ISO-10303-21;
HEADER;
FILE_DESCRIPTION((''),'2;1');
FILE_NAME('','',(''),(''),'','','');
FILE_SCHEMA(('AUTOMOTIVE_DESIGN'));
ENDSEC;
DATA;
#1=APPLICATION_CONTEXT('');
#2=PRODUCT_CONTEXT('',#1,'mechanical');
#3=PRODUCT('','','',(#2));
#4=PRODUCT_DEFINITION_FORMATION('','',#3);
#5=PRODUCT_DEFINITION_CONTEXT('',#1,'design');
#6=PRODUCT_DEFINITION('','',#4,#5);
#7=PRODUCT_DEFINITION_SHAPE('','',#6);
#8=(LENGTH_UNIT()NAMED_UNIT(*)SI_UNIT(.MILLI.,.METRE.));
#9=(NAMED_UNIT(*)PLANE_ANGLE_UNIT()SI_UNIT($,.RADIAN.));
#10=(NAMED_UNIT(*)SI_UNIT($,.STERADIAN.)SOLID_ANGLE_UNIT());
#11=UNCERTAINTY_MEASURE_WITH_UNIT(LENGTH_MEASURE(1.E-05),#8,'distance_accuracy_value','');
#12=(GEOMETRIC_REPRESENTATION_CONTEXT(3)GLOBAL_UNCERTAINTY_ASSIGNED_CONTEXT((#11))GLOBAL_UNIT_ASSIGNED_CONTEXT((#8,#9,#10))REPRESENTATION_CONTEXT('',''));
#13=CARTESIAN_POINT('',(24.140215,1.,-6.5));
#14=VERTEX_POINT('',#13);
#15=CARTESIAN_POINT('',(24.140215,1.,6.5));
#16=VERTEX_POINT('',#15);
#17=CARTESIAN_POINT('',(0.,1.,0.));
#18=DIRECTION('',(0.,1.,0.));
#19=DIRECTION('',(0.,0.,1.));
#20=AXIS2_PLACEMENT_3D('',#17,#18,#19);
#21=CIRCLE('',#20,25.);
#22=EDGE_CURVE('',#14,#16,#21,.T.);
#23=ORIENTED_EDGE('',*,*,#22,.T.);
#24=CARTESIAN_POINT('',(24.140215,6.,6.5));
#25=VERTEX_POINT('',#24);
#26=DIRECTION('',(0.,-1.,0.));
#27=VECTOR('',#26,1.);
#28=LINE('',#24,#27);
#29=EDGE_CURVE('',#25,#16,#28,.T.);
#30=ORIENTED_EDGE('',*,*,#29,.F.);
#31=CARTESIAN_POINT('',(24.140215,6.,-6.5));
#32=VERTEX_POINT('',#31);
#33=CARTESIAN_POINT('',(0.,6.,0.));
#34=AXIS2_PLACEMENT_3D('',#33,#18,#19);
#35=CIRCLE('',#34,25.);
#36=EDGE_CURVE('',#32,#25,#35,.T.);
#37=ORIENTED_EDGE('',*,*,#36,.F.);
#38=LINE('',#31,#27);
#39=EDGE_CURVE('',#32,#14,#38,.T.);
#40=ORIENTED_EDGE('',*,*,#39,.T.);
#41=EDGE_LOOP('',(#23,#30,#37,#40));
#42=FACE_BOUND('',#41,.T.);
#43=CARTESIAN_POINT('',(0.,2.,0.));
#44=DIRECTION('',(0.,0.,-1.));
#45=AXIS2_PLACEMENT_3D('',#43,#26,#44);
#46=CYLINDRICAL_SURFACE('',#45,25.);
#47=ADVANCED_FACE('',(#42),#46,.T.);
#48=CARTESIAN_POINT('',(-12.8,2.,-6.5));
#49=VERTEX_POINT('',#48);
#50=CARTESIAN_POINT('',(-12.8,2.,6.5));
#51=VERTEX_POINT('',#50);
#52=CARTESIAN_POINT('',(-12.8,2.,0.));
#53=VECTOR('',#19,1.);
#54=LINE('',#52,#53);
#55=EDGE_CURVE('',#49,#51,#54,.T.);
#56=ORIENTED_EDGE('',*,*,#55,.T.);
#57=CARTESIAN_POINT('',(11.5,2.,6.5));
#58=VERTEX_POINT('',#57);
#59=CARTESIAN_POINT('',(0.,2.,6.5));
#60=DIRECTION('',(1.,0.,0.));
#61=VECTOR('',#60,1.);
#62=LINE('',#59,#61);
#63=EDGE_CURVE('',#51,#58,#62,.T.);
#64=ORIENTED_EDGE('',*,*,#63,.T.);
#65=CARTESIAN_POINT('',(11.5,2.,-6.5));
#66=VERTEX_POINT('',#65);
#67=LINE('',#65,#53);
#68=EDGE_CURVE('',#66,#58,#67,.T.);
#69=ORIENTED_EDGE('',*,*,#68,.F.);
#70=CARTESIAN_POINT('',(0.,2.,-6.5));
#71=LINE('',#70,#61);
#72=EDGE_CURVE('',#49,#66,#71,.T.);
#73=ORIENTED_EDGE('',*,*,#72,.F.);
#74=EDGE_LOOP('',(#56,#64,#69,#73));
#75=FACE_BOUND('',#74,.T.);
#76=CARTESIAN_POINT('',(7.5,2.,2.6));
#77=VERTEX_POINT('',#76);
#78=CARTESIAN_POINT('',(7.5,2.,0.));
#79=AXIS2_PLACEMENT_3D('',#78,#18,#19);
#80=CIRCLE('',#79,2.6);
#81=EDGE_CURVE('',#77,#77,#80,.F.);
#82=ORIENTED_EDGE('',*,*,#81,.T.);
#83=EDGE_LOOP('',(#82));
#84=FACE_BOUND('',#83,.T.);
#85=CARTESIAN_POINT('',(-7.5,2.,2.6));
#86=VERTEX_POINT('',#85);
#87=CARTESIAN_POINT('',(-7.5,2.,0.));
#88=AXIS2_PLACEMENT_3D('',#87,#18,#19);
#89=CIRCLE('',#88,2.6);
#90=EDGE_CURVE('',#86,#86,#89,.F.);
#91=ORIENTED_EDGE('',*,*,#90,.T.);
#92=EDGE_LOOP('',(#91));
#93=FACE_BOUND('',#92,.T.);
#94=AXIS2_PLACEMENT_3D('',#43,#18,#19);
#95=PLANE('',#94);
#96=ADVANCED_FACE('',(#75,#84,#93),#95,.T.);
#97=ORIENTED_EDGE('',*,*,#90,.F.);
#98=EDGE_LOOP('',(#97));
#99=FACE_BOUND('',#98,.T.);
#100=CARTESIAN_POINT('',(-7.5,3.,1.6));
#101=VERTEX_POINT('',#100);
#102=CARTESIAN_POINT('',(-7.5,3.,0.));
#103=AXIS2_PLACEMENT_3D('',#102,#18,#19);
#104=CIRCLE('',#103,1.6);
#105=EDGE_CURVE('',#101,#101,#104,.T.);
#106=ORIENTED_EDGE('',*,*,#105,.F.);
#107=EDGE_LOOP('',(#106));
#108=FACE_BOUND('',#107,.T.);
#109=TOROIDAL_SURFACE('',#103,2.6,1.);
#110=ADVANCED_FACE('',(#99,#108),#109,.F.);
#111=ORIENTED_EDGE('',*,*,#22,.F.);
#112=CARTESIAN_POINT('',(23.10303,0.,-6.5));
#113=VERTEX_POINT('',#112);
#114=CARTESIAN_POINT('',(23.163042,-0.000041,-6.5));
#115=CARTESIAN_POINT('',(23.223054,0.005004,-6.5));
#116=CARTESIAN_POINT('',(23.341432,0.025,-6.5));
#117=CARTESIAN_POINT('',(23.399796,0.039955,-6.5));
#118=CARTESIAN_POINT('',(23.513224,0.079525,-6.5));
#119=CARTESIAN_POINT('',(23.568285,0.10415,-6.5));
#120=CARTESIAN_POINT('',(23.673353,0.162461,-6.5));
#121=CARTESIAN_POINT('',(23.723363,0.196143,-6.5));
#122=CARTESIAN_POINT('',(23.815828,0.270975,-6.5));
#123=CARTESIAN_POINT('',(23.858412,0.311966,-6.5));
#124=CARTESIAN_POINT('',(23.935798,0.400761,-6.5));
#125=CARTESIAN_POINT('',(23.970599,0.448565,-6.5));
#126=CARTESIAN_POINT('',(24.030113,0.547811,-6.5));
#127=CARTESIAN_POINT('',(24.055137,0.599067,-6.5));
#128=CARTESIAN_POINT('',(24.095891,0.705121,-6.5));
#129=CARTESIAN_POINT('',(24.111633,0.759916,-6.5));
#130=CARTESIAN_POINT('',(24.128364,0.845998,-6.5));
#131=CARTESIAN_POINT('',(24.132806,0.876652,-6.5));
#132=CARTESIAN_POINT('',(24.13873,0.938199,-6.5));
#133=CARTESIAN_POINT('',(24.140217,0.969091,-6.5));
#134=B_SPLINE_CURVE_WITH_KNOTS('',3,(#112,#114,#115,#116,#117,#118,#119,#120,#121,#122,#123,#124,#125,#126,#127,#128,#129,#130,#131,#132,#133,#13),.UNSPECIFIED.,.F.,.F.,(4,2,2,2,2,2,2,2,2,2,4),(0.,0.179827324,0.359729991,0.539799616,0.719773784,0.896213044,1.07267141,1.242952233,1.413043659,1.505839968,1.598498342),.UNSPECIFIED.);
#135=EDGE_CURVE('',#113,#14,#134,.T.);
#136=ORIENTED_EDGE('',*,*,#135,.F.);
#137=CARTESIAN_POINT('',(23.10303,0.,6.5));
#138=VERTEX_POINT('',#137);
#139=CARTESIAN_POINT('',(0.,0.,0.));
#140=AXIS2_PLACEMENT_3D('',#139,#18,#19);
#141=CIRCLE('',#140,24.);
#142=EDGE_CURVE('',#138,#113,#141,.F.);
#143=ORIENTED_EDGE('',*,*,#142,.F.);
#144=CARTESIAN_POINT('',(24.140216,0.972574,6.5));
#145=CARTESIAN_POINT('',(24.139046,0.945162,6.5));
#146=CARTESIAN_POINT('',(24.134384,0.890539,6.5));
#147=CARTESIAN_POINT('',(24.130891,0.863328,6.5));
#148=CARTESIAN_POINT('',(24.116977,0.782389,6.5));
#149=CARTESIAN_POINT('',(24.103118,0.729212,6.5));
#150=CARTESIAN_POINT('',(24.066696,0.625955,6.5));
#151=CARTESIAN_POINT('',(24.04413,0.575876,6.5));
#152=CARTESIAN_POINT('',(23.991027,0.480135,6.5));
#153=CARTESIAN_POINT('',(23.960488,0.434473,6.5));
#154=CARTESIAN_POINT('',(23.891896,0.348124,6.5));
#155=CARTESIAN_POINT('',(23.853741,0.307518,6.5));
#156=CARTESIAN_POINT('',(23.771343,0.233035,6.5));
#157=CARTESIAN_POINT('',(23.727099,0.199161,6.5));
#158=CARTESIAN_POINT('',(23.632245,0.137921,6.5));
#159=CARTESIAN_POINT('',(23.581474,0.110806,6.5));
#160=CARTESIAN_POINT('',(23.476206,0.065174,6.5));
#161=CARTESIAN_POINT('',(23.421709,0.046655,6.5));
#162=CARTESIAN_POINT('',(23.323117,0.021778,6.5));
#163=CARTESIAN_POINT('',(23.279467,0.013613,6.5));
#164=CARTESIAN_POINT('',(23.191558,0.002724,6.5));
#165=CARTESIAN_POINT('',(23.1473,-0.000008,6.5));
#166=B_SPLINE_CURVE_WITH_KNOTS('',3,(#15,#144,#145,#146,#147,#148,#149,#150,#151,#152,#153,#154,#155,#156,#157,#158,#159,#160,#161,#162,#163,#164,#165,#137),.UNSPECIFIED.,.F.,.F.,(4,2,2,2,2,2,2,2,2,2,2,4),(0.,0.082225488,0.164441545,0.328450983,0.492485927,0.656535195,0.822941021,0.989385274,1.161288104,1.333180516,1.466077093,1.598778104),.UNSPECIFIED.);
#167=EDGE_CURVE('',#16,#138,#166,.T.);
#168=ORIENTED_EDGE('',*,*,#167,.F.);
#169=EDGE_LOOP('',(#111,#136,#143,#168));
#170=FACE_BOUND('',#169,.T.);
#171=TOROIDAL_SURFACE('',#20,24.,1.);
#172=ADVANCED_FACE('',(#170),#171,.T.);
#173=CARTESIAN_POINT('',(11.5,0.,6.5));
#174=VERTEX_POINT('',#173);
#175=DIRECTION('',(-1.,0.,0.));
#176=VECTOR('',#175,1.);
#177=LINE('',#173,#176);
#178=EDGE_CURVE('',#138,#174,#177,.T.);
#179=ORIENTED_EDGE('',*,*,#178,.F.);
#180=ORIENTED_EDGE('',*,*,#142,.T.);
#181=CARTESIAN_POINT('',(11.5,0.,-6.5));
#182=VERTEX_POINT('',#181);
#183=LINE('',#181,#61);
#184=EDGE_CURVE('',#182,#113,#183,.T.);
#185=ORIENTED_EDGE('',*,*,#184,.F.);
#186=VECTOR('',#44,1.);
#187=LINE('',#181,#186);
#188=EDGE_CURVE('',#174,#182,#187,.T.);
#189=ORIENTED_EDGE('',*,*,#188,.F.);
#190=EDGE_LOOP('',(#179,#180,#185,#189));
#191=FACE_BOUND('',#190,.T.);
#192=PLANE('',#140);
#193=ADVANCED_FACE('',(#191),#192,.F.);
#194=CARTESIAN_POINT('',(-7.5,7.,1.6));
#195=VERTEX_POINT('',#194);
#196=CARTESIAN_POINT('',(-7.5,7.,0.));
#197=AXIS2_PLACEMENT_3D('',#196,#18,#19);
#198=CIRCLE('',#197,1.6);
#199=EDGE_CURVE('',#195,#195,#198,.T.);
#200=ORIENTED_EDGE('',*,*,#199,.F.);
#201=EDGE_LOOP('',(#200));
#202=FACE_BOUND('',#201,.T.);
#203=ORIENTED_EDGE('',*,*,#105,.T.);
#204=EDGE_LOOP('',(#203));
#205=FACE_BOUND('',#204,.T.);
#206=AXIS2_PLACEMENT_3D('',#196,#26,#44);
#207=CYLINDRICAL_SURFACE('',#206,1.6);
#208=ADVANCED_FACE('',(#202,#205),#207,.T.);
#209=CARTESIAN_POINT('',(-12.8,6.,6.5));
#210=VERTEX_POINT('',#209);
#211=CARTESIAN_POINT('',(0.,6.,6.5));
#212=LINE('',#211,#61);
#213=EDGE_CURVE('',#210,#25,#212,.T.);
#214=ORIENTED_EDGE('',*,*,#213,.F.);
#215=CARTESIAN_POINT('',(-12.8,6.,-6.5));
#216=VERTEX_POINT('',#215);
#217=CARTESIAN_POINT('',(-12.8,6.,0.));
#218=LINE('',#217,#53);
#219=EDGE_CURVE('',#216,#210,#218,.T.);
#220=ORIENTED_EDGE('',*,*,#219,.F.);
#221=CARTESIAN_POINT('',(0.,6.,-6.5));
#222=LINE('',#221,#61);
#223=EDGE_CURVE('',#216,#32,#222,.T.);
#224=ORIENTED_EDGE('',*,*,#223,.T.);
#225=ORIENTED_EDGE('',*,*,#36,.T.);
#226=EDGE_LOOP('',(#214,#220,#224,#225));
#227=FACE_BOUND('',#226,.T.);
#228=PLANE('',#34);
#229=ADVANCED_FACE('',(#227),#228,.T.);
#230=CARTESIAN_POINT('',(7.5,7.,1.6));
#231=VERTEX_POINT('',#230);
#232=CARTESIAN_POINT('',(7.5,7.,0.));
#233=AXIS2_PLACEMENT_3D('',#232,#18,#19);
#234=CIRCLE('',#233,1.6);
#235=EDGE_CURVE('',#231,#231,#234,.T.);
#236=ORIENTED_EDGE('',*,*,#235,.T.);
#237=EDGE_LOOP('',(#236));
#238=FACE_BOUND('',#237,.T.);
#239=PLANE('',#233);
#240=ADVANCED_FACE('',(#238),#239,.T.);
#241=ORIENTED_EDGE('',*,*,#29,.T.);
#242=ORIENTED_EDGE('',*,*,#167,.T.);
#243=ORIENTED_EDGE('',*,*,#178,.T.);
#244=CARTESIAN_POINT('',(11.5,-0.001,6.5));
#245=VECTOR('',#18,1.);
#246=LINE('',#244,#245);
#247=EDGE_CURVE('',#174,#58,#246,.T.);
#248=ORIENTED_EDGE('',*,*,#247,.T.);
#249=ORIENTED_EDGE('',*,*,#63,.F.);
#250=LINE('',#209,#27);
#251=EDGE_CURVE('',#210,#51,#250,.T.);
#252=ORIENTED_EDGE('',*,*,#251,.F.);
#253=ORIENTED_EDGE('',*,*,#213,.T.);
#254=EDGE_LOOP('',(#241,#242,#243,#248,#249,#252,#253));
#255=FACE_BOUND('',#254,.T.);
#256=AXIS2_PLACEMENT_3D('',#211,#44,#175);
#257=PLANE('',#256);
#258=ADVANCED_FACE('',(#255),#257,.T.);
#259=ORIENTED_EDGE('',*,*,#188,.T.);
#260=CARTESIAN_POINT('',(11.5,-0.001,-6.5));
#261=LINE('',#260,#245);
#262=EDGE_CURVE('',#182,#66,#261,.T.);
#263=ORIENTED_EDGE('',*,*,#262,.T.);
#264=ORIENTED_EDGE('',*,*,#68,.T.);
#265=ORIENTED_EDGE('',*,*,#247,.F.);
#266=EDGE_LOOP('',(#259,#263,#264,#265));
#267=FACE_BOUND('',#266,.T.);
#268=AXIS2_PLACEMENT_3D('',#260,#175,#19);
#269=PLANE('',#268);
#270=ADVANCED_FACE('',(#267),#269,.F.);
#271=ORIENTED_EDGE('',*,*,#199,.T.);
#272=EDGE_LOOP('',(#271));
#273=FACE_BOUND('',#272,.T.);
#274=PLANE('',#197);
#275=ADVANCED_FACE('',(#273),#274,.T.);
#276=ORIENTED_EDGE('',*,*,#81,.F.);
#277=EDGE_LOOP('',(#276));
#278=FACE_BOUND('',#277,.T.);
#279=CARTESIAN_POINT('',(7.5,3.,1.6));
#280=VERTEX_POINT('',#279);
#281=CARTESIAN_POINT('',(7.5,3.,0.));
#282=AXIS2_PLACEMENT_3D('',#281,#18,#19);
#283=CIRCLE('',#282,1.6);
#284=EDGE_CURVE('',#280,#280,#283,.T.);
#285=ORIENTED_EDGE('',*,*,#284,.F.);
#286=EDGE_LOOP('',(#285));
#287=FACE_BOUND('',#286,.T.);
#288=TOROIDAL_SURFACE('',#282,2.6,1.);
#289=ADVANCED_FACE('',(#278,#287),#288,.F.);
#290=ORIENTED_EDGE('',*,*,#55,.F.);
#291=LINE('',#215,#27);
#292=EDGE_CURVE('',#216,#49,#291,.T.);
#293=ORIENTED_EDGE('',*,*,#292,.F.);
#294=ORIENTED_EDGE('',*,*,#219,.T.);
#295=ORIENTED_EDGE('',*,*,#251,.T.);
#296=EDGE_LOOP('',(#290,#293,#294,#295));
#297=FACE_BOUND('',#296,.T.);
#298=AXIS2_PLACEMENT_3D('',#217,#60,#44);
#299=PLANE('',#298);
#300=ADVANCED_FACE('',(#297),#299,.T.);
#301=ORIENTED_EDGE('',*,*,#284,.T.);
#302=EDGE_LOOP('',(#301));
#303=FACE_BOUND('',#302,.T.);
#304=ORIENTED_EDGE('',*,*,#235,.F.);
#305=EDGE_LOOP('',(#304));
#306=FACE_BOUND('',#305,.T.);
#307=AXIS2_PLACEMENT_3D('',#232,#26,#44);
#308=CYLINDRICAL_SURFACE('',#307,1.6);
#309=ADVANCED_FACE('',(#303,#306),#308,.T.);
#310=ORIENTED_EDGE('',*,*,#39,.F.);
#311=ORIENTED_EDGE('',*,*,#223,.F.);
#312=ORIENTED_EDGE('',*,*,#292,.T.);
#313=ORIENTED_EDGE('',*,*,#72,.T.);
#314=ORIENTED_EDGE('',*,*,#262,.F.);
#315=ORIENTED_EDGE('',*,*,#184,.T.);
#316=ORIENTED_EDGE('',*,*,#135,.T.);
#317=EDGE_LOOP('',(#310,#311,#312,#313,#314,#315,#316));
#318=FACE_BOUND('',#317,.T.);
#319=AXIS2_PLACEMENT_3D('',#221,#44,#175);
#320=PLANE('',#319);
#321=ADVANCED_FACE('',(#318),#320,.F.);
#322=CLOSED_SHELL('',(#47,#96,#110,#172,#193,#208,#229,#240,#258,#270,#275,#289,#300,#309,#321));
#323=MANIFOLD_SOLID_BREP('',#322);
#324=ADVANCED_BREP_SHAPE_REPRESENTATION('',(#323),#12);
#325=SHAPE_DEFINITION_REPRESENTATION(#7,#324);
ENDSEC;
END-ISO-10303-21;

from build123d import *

# Parameters (mm, degrees)
SKETCH1_R           = 1.6
BOSS_EXTRUDE1_DEPTH = 2
BOSS_EXTRUDE2_DEPTH = 4
CUT_EXTRUDE1_REACH  = 37.581
SKETCH3_W           = 13.5
SKETCH3_H           = 13
SKETCH4_R           = 1.6
BOSS_EXTRUDE3_DEPTH = 5
FILLET1_R           = 1
FILLET2_R           = 1


with BuildPart() as part:
    # Sketch1 → Boss-Extrude1 (new body)
    # profile 1 of 4: a face of its own
    with BuildSketch(Plane(origin=(0, 0, 0), x_dir=(1, 0, 0), z_dir=(0, 1, 0))):
        with BuildLine():
            Line((-12.8, -6.5), (-12.8, 6.5))
            Line((-12.8, 6.5), (24.140215409, 6.5))
            ThreePointArc((24.140215409, 6.5), (-25, 0), (24.140215409, -6.5))
            Line((24.140215409, -6.5), (-12.8, -6.5))
        make_face()
    # profile 2 of 4: a face of its own
    with BuildSketch(Plane(origin=(0, 0, 0), x_dir=(1, 0, 0), z_dir=(0, 1, 0))):
        with BuildLine():
            Line((24.140215409, 6.5), (-12.8, 6.5))
            Line((-12.8, 6.5), (-12.8, -6.5))
            Line((-12.8, -6.5), (24.140215409, -6.5))
            ThreePointArc((24.140215409, -6.5), (24.784121784, -3.278308617), (25, 0))
            ThreePointArc((25, 0), (24.784121784, 3.278308617), (24.140215409, 6.5))
        make_face()
        with Locations((-7.5, 0)):
            Circle(SKETCH1_R, mode=Mode.SUBTRACT)
        with Locations((7.5, 0)):
            Circle(SKETCH1_R, mode=Mode.SUBTRACT)
    # profile 3 of 4: a face of its own
    with BuildSketch(Plane(origin=(0, 0, 0), x_dir=(1, 0, 0), z_dir=(0, 1, 0))):
        with Locations((-7.5, 0)):
            Circle(SKETCH1_R)
    # profile 4 of 4: a face of its own
    with BuildSketch(Plane(origin=(0, 0, 0), x_dir=(1, 0, 0), z_dir=(0, 1, 0))):
        with Locations((7.5, 0)):
            Circle(SKETCH1_R)
    extrude(amount=BOSS_EXTRUDE1_DEPTH)

    # Sketch2 → Boss-Extrude2 (add)
    with BuildSketch(Plane(origin=(0, 2, 0), x_dir=(1, 0, 0), z_dir=(0, 1, 0))):
        with BuildLine():
            Line((24.140215409, -6.5), (-12.8, -6.5))
            Line((-12.8, -6.5), (-12.8, 6.5))
            Line((-12.8, 6.5), (24.140215409, 6.5))
            ThreePointArc((24.140215409, 6.5), (-25, 0), (24.140215409, -6.5))
        make_face()
    extrude(amount=BOSS_EXTRUDE2_DEPTH)

    # Sketch3 → Cut-Extrude1 (cut, up to next)
    with BuildSketch(Plane(origin=(0, 2, 0), x_dir=(1, 0, 0), z_dir=(0, 1, 0)), mode=Mode.PRIVATE) as cut_extrude1_sk1:
        with Locations((18.25, 0)):
            Rectangle(SKETCH3_W, SKETCH3_H)
    cut_extrude1_tool1 = extrude(cut_extrude1_sk1.sketch, amount=-CUT_EXTRUDE1_REACH, mode=Mode.PRIVATE) & part.part
    add(cut_extrude1_tool1.solids().sort_by_distance((18.25, 2, 0))[0], mode=Mode.SUBTRACT)

    # Sketch4 → Boss-Extrude3 (add)
    with BuildSketch(Plane(origin=(0, 2, 0), x_dir=(1, 0, 0), z_dir=(0, 1, 0))):
        with Locations(Location((7.5, 0, 0), (0, 0, 270))):
            Circle(SKETCH4_R)
        with Locations(Location((-7.5, 0, 0), (0, 0, 270))):
            Circle(SKETCH4_R)
    extrude(amount=BOSS_EXTRUDE3_DEPTH)

    # Fillet1
    fillet1_edges = [part.edges().sort_by_distance(p)[0] for p in [
        (7.5, 2, -1.6),
        (-7.5, 2, -1.6),
    ]]
    fillet(fillet1_edges, radius=FILLET1_R)

    # Fillet2
    fillet2_edges = [part.edges().sort_by_distance(p)[0] for p in [
        (-25, 0, 0),
    ]]
    fillet(fillet2_edges, radius=FILLET2_R)


solid = part.part
